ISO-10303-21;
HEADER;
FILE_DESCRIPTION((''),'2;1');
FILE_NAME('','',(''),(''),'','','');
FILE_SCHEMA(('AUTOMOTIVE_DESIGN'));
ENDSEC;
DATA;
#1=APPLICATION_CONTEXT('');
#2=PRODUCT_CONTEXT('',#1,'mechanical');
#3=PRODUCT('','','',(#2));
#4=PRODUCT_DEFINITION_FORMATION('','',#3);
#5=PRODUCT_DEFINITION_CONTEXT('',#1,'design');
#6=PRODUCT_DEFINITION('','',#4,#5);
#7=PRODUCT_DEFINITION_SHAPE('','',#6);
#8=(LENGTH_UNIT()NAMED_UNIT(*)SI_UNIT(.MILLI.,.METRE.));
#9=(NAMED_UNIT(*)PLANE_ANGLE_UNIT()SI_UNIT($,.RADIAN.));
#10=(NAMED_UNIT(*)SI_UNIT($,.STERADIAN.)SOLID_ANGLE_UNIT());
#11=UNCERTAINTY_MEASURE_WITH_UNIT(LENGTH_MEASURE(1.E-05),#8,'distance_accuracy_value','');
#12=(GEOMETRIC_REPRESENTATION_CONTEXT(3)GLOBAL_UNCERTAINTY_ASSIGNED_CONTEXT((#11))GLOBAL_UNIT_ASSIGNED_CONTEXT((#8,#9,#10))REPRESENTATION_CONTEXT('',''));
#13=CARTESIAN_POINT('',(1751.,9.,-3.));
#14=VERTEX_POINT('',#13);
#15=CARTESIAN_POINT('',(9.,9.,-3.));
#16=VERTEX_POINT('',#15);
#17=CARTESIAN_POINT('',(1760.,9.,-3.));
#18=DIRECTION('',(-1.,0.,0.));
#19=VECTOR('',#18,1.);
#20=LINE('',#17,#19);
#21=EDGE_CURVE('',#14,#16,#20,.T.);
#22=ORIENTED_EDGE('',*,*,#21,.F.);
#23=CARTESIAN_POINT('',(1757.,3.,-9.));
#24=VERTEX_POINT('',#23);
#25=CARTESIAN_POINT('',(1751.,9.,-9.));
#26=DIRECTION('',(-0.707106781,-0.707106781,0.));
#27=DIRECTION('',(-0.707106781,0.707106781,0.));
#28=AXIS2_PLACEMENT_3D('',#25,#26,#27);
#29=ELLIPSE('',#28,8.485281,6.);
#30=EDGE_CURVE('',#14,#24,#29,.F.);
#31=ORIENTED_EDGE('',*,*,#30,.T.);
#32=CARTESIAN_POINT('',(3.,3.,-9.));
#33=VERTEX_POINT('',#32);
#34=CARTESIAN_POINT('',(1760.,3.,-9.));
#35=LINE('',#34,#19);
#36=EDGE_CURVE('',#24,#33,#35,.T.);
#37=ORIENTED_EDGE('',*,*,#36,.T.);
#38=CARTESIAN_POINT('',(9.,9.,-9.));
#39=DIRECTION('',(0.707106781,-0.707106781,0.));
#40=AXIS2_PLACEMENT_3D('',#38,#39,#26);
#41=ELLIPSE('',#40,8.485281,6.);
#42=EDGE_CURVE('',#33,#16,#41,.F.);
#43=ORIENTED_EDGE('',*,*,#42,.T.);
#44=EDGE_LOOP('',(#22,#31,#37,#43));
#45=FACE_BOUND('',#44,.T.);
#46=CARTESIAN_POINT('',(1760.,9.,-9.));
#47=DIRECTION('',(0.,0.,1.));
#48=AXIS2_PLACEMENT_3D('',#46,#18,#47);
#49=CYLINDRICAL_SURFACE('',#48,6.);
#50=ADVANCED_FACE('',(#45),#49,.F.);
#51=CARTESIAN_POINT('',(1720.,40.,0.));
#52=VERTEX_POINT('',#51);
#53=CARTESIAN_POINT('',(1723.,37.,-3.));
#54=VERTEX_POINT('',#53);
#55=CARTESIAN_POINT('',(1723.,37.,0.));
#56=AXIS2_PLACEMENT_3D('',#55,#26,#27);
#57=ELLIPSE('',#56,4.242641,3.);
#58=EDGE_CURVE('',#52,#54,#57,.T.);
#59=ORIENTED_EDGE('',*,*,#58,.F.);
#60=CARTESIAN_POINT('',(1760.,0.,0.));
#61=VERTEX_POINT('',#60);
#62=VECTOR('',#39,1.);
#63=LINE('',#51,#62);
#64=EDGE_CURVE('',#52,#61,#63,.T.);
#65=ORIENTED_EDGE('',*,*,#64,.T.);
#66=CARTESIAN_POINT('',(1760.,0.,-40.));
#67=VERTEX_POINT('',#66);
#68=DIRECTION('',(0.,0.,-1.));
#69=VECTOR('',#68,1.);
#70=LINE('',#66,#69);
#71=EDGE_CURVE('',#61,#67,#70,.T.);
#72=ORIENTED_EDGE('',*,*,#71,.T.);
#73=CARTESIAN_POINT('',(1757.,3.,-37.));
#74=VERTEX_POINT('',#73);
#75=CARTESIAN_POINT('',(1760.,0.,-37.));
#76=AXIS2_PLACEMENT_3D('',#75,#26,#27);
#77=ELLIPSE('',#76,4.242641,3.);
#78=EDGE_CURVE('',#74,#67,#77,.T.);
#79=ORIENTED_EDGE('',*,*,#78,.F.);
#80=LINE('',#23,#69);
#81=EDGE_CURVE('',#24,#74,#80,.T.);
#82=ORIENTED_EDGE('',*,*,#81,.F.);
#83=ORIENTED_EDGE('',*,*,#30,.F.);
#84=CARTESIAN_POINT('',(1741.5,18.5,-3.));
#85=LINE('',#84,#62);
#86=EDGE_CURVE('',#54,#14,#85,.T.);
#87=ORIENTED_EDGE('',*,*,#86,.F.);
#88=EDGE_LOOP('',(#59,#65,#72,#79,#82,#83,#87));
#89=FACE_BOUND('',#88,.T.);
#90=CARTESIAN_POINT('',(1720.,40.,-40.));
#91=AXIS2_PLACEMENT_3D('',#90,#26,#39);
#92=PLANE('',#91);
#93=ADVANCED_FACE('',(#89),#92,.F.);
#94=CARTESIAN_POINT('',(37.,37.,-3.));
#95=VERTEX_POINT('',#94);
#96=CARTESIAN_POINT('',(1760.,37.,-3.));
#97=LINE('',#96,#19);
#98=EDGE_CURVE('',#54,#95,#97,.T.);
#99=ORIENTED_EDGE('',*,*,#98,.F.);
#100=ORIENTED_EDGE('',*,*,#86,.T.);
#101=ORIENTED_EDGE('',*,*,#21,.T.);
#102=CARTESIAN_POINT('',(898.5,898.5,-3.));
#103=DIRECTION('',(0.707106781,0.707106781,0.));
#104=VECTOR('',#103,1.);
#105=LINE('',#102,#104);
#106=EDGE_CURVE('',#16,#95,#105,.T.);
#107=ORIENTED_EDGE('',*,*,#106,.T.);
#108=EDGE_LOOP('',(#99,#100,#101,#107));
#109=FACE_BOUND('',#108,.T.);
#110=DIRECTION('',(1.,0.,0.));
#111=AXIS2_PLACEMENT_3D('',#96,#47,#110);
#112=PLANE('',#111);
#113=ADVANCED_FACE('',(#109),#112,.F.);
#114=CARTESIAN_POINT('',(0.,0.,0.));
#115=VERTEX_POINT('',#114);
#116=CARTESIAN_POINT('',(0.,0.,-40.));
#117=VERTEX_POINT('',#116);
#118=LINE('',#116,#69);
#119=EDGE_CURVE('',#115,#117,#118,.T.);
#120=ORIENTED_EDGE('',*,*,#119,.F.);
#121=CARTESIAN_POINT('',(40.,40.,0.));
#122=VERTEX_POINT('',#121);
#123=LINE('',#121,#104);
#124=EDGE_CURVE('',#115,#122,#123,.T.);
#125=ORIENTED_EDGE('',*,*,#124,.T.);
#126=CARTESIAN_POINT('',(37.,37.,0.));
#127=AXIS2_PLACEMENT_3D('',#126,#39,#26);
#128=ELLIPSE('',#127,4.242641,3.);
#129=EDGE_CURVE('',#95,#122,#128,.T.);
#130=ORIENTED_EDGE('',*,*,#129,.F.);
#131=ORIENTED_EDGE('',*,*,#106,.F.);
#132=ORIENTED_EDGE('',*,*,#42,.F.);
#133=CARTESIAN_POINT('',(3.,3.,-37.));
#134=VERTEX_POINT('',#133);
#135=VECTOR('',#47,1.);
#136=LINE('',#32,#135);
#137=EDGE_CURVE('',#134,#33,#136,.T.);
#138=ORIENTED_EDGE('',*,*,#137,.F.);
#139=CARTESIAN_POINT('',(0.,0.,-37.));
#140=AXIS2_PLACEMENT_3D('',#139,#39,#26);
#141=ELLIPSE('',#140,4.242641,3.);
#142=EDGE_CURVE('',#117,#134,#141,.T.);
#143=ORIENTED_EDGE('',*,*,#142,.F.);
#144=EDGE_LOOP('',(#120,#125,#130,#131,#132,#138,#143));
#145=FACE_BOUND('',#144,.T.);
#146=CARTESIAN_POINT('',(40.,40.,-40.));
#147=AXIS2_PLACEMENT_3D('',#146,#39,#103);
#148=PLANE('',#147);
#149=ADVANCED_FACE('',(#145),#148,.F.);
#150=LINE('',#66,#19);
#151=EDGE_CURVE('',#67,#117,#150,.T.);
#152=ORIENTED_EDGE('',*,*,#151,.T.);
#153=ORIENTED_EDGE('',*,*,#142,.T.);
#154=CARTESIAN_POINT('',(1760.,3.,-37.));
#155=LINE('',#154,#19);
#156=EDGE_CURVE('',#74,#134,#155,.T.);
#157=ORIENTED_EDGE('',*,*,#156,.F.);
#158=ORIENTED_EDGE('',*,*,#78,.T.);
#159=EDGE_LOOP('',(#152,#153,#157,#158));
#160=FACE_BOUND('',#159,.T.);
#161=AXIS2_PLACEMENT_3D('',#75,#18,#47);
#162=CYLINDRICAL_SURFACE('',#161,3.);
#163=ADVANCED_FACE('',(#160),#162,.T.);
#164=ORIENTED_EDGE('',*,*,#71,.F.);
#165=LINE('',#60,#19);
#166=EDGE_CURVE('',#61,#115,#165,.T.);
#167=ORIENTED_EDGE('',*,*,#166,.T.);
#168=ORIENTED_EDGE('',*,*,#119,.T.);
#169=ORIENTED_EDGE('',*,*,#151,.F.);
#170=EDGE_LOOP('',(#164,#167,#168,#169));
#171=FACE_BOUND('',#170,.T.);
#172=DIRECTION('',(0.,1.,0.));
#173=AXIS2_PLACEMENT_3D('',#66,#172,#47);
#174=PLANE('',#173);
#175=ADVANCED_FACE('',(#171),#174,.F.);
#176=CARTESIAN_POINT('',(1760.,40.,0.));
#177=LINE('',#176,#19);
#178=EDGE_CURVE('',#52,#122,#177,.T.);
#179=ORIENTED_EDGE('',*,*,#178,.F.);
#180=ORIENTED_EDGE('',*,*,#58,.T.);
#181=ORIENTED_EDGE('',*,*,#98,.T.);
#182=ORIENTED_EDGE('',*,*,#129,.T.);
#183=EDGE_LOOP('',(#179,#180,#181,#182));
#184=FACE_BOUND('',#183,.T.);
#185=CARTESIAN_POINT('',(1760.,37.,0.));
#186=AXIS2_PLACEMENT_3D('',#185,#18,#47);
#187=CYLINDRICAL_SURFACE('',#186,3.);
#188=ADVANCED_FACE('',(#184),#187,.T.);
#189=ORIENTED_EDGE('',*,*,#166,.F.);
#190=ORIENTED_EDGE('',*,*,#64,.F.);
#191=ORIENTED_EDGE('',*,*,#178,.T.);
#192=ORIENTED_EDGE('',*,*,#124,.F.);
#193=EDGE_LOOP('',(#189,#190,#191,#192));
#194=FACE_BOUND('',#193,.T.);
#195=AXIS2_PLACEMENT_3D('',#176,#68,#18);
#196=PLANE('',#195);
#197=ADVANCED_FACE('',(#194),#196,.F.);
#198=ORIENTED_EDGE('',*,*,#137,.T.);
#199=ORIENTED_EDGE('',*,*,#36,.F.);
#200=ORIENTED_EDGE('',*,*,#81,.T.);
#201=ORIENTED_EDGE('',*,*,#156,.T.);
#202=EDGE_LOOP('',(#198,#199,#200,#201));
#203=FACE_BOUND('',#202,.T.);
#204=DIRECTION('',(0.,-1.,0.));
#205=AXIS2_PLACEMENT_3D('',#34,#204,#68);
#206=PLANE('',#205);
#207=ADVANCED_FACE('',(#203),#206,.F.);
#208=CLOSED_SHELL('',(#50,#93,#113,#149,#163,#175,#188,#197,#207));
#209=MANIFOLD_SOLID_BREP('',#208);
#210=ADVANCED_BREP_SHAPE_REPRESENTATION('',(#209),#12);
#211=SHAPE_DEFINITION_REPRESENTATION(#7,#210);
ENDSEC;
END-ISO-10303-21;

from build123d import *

# Parameters (mm, degrees)
L_ANGLE_EQUAL_40X40X3_7_DEPTH = 1760
CUT_EXTRUDE1_DEPTH            = 1761.908856244


with BuildPart() as part:
    # Sketch13 → L angle (equal) 40X40X3(7) (new body)
    with BuildSketch(Plane(origin=(0, 0, 0), x_dir=(0, 0, -1), z_dir=(1, 0, 0))):
        with BuildLine():
            Line((0, 40), (0, 0))
            Line((0, 0), (40, 0))
            ThreePointArc((40, 0), (39.121320344, 2.121320344), (37, 3))
            Line((37, 3), (9, 3))
            ThreePointArc((9, 3), (4.757359313, 4.757359313), (3, 9))
            Line((3, 9), (3, 37))
            ThreePointArc((3, 37), (2.121320344, 39.121320344), (0, 40))
        make_face()
    extrude(amount=L_ANGLE_EQUAL_40X40X3_7_DEPTH)

    # Sketch14 → Cut-Extrude1 (cut, through all)
    with BuildSketch(Plane.XY):
        Polygon((1760, 0), (1760, 40), (1720, 40), align=None)
        Polygon((0, 40), (0, 0), (40, 40), align=None)
    extrude(amount=-CUT_EXTRUDE1_DEPTH, mode=Mode.SUBTRACT)


solid = part.part
